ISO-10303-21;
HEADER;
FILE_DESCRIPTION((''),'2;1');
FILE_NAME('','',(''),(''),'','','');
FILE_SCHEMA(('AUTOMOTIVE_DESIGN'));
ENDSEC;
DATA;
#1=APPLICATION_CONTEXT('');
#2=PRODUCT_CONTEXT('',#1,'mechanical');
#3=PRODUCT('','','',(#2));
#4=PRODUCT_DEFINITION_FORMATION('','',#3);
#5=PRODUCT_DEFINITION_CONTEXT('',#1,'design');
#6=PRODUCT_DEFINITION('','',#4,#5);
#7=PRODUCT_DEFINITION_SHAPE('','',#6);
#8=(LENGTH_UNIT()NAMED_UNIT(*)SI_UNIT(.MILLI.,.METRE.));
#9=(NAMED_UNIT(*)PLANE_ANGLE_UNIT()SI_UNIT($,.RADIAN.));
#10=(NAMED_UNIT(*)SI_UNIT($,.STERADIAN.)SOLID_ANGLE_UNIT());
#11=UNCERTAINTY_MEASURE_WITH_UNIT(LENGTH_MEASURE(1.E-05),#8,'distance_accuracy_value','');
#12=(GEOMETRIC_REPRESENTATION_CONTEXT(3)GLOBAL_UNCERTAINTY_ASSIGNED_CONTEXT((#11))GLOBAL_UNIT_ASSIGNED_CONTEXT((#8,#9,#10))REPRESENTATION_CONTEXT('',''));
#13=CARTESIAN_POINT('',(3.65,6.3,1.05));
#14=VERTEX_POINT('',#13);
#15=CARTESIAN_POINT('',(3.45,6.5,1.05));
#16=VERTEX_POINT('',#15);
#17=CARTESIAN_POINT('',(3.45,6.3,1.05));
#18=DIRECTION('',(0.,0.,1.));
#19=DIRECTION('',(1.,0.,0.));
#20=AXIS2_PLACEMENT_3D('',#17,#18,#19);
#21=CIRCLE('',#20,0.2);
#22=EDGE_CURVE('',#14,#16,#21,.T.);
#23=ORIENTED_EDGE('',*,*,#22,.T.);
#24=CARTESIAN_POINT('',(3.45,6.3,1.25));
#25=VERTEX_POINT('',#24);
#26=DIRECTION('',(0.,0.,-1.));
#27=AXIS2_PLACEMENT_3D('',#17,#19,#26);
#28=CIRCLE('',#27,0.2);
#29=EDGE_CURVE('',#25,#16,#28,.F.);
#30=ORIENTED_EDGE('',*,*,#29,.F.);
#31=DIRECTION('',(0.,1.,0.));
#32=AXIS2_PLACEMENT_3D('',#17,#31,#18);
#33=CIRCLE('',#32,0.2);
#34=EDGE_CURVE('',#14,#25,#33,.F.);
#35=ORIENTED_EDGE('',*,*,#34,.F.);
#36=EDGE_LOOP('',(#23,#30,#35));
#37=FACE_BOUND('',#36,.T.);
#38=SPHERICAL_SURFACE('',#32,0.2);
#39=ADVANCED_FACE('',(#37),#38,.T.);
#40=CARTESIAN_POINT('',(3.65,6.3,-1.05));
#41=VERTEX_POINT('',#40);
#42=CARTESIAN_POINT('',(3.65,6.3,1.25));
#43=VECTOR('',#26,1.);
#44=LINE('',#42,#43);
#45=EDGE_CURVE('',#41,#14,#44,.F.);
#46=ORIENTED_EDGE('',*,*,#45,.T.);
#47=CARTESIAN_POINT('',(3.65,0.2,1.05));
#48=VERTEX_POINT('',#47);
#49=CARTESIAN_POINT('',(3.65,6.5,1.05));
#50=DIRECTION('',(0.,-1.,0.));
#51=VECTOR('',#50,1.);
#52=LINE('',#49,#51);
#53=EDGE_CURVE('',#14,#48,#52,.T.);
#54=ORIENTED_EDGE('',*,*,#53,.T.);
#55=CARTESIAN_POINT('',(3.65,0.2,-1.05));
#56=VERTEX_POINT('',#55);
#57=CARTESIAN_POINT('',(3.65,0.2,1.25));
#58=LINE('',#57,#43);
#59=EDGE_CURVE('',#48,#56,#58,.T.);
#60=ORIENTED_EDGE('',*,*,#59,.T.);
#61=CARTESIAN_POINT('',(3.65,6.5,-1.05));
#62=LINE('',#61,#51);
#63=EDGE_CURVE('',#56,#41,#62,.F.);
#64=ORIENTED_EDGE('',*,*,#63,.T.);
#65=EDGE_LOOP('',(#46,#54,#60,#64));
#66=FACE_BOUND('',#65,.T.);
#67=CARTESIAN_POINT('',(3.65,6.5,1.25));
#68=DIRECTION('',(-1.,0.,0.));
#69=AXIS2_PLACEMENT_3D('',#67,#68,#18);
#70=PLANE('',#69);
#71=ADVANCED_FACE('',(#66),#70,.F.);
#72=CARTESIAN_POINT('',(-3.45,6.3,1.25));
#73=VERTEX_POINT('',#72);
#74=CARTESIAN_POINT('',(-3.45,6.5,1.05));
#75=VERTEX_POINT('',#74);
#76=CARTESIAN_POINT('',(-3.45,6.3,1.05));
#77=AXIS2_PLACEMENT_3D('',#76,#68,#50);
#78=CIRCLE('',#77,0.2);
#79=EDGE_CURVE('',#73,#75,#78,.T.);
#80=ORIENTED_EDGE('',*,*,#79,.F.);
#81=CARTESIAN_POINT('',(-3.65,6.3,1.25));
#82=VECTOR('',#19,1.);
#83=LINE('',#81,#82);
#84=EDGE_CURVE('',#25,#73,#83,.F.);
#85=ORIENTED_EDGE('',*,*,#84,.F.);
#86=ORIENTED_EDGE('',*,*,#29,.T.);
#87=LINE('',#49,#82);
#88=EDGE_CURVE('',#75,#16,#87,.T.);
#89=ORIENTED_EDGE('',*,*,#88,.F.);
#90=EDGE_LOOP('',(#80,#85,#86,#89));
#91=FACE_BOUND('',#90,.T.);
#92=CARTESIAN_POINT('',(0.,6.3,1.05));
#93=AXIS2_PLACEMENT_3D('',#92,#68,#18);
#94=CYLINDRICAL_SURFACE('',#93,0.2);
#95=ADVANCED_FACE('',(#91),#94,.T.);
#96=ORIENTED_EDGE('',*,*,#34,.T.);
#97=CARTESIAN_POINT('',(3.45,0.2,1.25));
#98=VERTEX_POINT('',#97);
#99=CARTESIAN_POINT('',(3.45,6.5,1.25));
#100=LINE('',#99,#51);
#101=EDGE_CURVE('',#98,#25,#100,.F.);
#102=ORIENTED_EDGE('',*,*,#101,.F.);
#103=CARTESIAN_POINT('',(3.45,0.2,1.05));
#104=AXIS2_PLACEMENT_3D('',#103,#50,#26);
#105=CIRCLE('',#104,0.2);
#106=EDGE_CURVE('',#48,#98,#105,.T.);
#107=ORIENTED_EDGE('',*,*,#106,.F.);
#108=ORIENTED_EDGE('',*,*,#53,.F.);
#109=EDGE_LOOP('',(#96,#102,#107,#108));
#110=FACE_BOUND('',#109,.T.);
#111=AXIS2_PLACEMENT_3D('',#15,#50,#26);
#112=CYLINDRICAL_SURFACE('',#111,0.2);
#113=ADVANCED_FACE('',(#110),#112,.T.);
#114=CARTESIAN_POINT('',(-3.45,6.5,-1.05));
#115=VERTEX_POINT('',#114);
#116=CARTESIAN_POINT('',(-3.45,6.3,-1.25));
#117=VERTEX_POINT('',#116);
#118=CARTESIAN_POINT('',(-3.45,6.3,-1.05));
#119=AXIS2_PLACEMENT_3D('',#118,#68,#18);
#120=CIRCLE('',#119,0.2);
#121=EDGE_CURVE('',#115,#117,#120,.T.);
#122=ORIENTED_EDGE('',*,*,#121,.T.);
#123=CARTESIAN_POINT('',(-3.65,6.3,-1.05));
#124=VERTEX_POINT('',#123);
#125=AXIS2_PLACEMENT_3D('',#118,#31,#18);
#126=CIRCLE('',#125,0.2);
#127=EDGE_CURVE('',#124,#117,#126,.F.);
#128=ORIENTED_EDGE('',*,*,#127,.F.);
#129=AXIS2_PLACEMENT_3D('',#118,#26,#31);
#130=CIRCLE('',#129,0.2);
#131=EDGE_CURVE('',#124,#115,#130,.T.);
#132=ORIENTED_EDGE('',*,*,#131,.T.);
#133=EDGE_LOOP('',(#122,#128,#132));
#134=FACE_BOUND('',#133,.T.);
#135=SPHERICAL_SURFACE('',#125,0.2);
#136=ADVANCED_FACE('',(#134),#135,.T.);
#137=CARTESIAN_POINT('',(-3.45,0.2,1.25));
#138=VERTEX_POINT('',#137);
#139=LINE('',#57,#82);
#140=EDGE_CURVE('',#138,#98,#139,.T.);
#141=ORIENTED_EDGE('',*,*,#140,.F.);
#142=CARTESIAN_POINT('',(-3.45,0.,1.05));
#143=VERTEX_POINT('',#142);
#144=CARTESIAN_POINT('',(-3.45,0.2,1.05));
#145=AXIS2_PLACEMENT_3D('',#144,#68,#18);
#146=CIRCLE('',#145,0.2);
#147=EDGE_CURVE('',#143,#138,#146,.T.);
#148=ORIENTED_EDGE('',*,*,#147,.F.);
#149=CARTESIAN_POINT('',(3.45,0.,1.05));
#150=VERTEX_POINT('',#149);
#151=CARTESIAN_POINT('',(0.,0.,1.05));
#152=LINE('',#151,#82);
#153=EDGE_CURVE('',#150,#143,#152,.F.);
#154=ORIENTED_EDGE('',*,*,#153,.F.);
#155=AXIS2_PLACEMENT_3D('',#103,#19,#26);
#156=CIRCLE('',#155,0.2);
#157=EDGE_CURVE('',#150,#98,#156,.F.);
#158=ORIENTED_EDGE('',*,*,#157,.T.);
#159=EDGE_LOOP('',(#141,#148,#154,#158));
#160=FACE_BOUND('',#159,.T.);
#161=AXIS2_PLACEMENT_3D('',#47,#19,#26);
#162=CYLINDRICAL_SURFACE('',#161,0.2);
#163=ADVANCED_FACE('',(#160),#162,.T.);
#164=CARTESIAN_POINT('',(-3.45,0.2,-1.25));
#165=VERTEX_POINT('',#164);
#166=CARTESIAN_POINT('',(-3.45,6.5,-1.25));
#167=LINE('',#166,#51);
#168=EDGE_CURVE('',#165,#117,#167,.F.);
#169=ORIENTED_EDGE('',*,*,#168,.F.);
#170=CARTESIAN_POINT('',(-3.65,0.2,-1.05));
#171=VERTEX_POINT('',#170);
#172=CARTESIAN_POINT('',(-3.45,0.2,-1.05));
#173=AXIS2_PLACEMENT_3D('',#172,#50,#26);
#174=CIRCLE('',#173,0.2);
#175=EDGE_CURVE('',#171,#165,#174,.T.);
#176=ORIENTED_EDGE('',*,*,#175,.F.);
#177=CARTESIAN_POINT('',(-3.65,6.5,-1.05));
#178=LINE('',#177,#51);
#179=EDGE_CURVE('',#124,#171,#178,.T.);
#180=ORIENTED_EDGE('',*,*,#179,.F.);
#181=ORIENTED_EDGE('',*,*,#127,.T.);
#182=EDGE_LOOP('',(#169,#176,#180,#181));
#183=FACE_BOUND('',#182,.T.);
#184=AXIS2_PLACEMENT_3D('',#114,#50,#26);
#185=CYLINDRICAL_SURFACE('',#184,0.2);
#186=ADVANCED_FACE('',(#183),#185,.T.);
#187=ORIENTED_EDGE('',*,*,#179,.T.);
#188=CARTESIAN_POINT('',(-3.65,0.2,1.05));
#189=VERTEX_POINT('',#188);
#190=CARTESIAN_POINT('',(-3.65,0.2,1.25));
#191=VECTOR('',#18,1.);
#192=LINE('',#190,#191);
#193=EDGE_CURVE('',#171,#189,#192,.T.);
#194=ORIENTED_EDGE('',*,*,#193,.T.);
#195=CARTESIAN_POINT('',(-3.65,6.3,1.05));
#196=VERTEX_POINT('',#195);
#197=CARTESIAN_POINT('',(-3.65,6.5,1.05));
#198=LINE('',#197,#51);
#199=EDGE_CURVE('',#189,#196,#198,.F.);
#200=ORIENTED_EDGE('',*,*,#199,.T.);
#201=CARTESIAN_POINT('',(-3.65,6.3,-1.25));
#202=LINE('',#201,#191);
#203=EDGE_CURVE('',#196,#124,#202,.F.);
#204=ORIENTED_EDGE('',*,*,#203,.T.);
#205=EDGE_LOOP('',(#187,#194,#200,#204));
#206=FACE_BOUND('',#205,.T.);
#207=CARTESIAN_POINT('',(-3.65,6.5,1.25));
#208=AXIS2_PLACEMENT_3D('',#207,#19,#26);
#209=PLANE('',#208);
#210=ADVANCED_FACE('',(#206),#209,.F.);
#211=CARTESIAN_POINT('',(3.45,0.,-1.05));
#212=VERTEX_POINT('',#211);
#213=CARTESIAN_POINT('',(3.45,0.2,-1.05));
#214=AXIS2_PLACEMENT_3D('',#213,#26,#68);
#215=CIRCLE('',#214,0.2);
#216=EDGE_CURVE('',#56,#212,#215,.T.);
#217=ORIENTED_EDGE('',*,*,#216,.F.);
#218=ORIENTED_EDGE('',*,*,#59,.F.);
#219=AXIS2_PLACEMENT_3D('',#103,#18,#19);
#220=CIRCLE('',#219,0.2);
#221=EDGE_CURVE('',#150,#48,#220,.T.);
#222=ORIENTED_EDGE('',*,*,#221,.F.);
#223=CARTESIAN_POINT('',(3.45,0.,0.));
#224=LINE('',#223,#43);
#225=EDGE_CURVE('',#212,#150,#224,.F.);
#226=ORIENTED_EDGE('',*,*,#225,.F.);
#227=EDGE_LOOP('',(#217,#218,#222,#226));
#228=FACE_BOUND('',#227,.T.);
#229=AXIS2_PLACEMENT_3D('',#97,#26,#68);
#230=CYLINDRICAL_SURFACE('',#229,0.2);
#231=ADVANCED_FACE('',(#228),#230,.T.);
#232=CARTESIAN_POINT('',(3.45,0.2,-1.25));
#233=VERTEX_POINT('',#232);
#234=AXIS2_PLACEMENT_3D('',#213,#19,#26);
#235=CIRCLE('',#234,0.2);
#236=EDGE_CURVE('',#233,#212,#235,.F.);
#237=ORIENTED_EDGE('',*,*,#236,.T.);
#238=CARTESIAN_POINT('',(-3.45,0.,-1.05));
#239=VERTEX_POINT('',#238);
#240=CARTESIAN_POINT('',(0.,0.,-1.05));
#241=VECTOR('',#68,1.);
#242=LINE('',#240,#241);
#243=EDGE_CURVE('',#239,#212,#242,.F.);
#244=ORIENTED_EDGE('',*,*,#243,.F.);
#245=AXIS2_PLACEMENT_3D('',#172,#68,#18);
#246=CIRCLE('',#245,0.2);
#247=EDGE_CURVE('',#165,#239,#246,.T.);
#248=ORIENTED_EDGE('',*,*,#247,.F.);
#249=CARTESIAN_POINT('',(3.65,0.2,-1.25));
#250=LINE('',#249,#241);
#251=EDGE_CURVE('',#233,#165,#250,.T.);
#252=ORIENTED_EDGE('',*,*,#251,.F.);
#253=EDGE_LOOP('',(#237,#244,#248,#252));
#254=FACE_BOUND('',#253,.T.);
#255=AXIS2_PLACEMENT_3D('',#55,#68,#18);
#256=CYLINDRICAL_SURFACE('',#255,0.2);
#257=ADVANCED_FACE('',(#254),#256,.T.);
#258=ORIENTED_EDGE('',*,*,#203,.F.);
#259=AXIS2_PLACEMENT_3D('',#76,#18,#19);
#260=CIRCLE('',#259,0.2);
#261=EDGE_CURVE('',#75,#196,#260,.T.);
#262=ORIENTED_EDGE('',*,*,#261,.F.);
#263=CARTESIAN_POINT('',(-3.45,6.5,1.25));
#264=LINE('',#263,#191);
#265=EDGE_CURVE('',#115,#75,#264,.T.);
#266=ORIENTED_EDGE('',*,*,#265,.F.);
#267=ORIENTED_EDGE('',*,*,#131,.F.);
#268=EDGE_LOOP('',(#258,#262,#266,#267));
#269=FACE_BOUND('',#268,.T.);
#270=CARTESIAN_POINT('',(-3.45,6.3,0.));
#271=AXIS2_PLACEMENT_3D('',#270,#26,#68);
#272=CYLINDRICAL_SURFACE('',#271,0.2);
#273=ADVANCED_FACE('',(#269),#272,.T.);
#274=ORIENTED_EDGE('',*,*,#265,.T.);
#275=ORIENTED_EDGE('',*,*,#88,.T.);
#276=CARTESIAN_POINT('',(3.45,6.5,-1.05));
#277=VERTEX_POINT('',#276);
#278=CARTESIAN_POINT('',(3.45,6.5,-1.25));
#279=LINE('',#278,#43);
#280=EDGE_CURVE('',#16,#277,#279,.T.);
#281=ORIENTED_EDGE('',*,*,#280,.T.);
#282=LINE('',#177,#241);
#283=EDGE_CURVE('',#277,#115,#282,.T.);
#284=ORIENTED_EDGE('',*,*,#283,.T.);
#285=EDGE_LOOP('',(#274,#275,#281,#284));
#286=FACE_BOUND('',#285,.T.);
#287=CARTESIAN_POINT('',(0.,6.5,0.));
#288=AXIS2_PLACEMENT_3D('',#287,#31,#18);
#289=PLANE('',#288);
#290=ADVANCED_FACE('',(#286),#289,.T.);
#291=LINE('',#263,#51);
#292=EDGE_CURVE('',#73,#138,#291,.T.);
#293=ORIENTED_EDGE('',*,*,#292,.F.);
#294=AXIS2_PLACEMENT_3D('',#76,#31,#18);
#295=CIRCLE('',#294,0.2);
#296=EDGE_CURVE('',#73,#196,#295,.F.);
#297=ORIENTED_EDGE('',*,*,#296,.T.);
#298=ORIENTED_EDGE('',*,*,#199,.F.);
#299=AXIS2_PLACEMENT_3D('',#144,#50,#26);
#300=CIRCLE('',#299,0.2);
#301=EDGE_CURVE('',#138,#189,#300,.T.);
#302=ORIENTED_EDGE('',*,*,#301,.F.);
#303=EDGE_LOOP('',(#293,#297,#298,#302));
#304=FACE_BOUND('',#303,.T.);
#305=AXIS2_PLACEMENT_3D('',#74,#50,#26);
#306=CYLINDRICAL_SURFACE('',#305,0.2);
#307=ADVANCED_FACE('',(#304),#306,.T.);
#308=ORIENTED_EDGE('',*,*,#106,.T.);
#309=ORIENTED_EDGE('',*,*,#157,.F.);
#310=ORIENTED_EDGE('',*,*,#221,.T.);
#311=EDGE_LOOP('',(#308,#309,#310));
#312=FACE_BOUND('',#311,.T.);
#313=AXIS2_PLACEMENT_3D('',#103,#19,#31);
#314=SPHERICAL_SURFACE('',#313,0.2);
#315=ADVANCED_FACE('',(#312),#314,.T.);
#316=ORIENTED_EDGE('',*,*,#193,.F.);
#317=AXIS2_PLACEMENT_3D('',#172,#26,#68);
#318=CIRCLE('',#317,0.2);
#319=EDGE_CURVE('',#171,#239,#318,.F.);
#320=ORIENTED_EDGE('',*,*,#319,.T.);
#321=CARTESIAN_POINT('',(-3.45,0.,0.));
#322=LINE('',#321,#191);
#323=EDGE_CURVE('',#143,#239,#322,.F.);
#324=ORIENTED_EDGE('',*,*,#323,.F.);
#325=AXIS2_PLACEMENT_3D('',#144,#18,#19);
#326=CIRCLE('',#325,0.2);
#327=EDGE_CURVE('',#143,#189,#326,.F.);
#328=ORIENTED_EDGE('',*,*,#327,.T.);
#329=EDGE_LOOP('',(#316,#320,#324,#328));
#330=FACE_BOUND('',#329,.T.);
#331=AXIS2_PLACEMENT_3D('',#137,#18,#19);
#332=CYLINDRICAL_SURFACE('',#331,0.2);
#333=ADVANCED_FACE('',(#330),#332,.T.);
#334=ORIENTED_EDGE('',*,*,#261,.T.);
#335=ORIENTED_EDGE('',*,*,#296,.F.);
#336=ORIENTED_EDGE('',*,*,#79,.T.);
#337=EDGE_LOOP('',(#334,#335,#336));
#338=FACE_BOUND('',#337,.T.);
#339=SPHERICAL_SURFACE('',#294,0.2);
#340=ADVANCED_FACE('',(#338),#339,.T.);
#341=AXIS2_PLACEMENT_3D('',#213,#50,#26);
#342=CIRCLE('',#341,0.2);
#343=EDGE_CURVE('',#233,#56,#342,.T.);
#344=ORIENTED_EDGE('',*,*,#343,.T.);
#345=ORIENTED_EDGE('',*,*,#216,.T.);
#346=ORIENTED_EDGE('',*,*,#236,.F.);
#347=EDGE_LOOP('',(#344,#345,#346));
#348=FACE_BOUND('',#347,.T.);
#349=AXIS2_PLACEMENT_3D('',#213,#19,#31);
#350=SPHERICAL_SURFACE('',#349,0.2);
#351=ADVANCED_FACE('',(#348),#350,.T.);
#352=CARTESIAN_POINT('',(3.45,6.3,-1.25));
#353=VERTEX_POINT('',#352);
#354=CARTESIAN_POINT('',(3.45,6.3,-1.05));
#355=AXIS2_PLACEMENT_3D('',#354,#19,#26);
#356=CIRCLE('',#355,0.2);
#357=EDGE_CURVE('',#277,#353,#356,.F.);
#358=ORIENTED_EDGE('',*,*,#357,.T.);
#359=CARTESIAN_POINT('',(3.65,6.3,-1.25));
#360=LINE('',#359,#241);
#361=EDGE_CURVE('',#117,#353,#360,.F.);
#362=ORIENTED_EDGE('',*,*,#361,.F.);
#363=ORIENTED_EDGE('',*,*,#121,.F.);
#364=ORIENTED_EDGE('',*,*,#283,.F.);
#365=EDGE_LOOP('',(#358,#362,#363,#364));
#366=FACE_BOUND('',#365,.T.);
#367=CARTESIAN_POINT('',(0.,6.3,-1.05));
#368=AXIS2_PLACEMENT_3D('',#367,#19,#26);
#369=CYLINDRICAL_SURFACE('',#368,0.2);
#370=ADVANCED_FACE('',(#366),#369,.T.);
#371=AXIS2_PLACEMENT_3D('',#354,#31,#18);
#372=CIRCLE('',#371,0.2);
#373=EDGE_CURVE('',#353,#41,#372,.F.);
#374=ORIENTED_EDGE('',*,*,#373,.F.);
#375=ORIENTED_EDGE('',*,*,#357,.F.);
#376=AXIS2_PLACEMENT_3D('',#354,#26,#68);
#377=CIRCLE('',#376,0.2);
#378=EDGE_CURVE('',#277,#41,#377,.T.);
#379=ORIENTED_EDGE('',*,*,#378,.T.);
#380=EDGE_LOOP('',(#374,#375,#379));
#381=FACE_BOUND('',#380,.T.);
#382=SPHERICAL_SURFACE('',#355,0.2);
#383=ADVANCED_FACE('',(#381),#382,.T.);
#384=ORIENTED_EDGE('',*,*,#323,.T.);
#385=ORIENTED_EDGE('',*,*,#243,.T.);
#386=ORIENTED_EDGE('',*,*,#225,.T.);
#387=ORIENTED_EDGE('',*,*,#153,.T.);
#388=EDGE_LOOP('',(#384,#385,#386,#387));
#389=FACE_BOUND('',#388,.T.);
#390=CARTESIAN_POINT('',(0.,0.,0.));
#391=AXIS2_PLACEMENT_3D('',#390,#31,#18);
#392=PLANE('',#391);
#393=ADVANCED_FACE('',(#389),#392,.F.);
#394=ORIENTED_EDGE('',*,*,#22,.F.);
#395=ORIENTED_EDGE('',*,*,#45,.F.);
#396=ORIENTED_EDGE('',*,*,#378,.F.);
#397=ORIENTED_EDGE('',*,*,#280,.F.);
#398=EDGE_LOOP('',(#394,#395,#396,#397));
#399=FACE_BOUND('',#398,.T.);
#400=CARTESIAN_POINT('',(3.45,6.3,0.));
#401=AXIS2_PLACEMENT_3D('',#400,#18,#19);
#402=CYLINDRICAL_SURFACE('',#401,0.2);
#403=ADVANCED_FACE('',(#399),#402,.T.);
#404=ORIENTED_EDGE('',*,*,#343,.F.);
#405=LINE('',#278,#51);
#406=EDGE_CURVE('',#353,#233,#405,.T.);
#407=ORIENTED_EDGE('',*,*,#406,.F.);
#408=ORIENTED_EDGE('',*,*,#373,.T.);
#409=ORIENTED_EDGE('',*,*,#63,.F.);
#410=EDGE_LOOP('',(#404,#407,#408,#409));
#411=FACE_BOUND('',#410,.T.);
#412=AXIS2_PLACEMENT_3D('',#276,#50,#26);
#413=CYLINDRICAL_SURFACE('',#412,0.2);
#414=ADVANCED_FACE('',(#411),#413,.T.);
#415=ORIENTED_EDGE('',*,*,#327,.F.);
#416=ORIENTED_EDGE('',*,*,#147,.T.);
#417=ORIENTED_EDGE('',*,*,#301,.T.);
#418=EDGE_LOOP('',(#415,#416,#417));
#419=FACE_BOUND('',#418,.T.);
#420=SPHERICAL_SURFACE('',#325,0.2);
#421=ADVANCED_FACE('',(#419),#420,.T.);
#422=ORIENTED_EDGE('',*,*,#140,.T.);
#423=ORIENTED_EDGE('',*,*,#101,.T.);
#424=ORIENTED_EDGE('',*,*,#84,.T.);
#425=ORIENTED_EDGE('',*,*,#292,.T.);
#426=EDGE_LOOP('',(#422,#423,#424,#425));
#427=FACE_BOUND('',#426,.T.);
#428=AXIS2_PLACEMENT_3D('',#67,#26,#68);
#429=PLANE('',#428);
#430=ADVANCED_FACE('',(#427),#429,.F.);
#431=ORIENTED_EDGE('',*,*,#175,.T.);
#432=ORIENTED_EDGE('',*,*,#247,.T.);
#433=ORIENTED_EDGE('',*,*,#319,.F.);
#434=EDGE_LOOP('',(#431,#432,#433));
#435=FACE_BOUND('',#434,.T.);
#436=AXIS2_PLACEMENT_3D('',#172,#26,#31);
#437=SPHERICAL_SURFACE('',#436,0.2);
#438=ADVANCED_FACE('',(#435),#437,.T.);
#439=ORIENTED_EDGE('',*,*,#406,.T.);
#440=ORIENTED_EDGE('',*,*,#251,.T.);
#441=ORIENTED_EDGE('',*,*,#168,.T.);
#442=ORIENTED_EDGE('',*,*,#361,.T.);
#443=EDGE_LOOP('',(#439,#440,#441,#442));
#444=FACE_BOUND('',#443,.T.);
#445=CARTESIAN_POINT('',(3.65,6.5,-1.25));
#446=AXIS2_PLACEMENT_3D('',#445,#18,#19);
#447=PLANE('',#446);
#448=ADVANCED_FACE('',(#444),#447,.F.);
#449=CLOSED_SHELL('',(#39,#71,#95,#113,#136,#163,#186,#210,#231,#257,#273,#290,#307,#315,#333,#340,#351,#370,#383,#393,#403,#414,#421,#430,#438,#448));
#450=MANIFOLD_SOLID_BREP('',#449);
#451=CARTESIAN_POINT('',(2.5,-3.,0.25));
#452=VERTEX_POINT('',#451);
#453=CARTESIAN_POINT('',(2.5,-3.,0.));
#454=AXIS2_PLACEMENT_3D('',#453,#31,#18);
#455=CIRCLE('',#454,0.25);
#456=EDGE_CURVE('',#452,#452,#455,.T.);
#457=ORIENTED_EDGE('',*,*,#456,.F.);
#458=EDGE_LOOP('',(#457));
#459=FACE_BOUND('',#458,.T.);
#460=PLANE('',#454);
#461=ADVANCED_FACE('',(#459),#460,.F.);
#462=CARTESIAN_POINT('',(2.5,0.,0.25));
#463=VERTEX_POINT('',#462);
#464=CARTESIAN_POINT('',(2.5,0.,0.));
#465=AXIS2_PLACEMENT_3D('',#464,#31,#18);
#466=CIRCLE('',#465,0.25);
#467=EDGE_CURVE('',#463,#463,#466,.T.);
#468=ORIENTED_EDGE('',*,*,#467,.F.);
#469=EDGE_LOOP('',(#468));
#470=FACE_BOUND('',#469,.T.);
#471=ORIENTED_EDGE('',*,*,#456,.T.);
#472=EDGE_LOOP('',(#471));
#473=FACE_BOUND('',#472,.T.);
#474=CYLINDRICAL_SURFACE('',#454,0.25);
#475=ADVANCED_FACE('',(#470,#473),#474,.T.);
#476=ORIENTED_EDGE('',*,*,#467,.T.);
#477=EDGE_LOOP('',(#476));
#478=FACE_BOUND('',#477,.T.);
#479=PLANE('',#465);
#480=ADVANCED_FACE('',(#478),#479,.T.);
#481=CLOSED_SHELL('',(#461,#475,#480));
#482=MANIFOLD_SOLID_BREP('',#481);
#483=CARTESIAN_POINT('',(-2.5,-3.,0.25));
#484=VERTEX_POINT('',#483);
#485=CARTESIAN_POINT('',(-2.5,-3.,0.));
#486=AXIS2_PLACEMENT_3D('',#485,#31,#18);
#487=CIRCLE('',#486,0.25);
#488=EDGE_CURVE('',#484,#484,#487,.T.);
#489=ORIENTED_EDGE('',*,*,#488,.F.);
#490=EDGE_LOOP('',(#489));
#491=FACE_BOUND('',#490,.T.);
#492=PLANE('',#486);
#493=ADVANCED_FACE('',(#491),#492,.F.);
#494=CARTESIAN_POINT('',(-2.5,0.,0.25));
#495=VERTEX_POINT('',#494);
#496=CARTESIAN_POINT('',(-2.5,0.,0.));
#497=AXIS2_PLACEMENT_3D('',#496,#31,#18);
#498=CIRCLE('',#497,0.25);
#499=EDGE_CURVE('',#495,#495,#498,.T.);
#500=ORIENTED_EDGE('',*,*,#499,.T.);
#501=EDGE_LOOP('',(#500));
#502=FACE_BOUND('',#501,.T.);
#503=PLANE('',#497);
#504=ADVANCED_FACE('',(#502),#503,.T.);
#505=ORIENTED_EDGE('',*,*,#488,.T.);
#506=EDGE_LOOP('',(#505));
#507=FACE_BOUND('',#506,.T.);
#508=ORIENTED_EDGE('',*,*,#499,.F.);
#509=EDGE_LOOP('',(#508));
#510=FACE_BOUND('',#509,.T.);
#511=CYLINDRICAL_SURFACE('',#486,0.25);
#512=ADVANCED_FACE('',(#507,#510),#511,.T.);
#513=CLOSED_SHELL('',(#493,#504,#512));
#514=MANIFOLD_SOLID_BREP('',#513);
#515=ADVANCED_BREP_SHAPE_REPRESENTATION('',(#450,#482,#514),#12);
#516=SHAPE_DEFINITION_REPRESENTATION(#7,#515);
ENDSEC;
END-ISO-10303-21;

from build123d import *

# Parameters (mm, degrees)
SKETCH1_W             = 7.3
SKETCH1_H             = 2.5
BOSS_EXTRUDE1_DEPTH   = 6.5
SKETCH2_R             = 0.25
BOSS_EXTRUDE2_DEPTH   = 3
BOSS_EXTRUDE2_2_DEPTH = 3
FILLET1_R             = 0.2


with BuildPart() as part:
    # Sketch1 → Boss-Extrude1 (new body)
    with BuildSketch(Plane(origin=(0, 0, 0), x_dir=(1, 0, 0), z_dir=(0, 1, 0))):
        Rectangle(SKETCH1_W, SKETCH1_H)
    extrude(amount=BOSS_EXTRUDE1_DEPTH)

    # Fillet1
    fillet1_edges = [part.edges().sort_by_distance(p)[0] for p in [
        (3.65, 6.5, 0),
        (0, 6.5, -1.25),
        (-3.65, 6.5, 0),
        (0, 0, -1.25),
        (3.65, 0, 0),
        (0, 0, 1.25),
        (-3.65, 0, 0),
        (-3.65, 3.25, -1.25),
        (3.65, 3.25, -1.25),
        (3.65, 3.25, 1.25),
        (-3.65, 3.25, 1.25),
        (0, 6.5, 1.25),
    ]]
    fillet(fillet1_edges, radius=FILLET1_R)


with BuildPart() as body_2:
    # Sketch2 → Boss-Extrude2 (new body)
    with BuildSketch(Plane(origin=(0, 0, 0), x_dir=(1, 0, 0), z_dir=(0, 1, 0))):
        with Locations(Location((-2.5, 0, 0), (0, 0, 270))):
            Circle(SKETCH2_R)
    extrude(amount=-BOSS_EXTRUDE2_DEPTH)


with BuildPart() as body_3:
    # Sketch2 → Boss-Extrude2 2 (new body)
    with BuildSketch(Plane(origin=(0, 0, 0), x_dir=(1, 0, 0), z_dir=(0, 1, 0))):
        with Locations(Location((2.5, 0, 0), (0, 0, 270))):
            Circle(SKETCH2_R)
    extrude(amount=-BOSS_EXTRUDE2_2_DEPTH)


solid = Compound([part.part, body_2.part, body_3.part])
